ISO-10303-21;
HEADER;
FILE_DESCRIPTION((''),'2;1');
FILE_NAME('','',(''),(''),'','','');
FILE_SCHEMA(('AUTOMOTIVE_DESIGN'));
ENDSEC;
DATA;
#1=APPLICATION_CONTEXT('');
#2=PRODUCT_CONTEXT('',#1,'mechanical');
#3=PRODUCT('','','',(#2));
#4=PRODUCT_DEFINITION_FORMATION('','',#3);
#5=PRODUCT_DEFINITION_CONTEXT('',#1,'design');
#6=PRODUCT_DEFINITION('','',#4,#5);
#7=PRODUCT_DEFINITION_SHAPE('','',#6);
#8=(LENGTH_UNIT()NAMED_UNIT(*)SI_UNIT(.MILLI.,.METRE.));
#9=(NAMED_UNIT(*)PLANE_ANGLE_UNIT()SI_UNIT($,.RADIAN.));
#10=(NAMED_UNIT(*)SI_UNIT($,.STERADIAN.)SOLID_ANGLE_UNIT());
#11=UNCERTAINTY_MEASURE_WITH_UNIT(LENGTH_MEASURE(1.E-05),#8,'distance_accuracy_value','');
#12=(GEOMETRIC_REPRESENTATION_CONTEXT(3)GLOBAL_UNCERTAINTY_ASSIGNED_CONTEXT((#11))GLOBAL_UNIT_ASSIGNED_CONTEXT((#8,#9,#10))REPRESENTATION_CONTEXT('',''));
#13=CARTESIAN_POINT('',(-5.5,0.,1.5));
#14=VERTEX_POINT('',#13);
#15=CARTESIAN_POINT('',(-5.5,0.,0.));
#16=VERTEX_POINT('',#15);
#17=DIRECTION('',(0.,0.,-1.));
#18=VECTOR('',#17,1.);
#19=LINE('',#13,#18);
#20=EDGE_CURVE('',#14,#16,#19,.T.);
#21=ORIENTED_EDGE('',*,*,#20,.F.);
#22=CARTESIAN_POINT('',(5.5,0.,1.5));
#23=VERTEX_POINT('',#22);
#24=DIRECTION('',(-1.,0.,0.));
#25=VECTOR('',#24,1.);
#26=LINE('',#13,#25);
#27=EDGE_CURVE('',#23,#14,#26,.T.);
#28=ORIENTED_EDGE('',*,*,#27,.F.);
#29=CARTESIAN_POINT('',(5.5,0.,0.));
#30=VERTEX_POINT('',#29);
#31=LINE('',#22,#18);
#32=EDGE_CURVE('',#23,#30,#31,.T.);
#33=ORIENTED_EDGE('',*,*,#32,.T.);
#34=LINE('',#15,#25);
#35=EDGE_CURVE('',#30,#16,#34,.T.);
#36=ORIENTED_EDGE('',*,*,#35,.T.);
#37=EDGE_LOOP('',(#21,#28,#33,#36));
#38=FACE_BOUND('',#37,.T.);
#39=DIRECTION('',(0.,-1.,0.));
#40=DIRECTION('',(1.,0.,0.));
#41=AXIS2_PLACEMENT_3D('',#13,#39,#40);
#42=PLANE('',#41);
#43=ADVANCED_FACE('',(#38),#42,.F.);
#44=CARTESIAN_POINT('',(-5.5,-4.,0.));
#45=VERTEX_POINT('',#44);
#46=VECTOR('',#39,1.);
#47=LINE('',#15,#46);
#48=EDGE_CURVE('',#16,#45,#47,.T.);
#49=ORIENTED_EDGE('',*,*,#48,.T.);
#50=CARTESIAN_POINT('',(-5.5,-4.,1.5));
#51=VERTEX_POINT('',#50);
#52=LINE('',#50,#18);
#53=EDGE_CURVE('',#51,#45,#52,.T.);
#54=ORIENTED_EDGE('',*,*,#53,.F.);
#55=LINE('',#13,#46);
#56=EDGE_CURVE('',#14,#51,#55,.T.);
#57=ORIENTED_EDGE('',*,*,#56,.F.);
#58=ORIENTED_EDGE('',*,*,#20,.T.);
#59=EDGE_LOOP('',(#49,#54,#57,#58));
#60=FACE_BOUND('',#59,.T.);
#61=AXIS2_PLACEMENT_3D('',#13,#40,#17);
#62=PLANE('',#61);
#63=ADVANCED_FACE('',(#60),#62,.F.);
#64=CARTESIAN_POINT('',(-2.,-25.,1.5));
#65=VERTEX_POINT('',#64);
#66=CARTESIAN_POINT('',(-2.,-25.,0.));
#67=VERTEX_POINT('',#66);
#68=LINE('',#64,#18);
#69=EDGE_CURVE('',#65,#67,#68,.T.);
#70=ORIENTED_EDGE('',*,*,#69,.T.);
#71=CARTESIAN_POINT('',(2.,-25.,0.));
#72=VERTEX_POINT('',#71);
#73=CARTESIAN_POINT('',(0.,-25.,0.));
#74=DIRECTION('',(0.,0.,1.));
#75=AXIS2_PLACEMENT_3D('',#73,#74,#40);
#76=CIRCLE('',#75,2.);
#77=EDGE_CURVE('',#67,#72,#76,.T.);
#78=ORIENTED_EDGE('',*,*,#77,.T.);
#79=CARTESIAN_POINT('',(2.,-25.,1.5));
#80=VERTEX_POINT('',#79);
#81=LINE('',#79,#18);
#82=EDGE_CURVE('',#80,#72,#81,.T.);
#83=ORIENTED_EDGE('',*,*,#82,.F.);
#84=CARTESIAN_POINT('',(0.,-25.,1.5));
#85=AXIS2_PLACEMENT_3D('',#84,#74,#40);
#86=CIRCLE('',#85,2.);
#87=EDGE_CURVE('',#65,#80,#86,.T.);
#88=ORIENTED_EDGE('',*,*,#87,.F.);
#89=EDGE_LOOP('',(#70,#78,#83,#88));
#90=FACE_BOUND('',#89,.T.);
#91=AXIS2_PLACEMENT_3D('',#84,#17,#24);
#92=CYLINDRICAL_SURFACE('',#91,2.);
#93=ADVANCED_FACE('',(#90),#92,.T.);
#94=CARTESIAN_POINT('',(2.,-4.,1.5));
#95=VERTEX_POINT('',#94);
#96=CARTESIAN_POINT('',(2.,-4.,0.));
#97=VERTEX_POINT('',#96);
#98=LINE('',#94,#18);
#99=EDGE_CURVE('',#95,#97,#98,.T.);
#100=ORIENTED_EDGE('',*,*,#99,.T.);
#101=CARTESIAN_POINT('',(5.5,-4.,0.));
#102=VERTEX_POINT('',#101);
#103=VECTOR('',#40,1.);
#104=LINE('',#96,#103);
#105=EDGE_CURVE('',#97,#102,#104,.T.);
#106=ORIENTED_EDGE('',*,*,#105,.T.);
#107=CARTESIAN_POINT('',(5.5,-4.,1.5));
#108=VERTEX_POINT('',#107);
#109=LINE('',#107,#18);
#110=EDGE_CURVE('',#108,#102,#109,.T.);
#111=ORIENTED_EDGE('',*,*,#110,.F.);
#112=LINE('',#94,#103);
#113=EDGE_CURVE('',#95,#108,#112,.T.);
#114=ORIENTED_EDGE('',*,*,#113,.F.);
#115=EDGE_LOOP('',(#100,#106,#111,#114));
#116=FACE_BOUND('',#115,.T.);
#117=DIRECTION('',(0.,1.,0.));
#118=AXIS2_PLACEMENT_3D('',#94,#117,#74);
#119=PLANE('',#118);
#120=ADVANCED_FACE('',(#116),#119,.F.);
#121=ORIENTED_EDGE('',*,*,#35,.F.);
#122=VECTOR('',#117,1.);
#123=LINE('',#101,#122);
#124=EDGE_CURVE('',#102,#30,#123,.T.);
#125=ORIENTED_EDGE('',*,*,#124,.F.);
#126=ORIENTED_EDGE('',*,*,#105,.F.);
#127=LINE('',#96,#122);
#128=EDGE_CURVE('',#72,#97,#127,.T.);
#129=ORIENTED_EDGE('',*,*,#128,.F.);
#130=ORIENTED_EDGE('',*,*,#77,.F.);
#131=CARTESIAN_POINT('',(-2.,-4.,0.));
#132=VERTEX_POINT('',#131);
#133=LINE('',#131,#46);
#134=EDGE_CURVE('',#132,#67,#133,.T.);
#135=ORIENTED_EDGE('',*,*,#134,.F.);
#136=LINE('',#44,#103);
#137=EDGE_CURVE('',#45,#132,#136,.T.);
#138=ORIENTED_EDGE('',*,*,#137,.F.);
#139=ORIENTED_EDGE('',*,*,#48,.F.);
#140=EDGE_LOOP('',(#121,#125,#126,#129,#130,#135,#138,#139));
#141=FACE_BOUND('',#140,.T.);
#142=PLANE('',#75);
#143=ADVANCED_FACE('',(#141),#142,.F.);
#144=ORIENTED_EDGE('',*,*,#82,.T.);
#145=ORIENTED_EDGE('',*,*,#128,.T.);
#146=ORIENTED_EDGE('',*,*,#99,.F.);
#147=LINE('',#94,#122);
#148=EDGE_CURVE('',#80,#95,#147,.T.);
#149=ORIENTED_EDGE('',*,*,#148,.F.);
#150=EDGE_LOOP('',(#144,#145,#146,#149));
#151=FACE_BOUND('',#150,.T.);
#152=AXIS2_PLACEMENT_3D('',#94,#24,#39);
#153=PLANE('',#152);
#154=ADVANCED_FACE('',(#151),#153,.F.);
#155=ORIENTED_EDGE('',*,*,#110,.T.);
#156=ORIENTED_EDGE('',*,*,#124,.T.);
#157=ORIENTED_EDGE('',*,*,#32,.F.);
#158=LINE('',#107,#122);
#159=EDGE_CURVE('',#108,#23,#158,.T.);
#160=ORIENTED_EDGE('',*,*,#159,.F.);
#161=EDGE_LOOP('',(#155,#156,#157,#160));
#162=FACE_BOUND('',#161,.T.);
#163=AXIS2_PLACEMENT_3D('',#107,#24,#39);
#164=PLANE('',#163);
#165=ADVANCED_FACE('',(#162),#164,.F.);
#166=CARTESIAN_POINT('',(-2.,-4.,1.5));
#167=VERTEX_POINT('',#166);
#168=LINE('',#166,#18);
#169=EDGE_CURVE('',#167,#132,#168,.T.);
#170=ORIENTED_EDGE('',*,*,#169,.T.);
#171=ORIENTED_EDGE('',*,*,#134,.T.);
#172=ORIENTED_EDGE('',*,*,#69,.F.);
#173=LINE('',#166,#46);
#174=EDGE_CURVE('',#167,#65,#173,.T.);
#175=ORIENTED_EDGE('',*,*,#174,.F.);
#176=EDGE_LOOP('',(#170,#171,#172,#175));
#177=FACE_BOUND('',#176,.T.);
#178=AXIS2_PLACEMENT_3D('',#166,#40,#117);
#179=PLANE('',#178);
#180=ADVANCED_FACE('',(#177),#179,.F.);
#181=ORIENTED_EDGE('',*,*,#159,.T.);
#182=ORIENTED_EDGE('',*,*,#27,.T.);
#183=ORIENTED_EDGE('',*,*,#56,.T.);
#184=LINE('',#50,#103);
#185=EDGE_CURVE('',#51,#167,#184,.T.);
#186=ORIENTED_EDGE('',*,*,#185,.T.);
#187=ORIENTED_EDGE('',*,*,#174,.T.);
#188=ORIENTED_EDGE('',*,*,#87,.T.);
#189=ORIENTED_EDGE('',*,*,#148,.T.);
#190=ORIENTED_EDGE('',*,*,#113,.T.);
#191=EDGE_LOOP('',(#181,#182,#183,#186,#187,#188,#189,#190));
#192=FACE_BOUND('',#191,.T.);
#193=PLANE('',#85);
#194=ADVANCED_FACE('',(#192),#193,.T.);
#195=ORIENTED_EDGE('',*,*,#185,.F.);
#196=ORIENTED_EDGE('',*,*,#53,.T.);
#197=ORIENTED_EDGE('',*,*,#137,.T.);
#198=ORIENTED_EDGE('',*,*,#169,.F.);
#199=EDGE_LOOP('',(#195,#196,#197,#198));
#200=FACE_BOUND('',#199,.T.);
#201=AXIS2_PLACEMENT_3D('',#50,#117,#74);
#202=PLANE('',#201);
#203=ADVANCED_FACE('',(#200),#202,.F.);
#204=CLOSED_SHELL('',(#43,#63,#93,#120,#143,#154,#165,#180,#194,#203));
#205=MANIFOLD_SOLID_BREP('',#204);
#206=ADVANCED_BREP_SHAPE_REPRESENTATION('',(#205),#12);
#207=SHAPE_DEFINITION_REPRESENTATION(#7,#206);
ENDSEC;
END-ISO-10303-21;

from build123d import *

# Parameters (mm, degrees)
EXTRUSION1_DEPTH = 1.5


with BuildPart() as part:
    # Esquisse1 → Extrusion1 (new body)
    with BuildSketch(Plane.XY):
        with BuildLine():
            Line((-5.5, 0), (5.5, 0))
            Line((5.5, 0), (5.5, -4))
            Line((5.5, -4), (2, -4))
            Line((2, -4), (2, -25))
            ThreePointArc((2, -25), (0, -27), (-2, -25))
            Line((-2, -25), (-2, -4))
            Line((-2, -4), (-5.5, -4))
            Line((-5.5, -4), (-5.5, 0))
        make_face()
    extrude(amount=EXTRUSION1_DEPTH)


solid = part.part
